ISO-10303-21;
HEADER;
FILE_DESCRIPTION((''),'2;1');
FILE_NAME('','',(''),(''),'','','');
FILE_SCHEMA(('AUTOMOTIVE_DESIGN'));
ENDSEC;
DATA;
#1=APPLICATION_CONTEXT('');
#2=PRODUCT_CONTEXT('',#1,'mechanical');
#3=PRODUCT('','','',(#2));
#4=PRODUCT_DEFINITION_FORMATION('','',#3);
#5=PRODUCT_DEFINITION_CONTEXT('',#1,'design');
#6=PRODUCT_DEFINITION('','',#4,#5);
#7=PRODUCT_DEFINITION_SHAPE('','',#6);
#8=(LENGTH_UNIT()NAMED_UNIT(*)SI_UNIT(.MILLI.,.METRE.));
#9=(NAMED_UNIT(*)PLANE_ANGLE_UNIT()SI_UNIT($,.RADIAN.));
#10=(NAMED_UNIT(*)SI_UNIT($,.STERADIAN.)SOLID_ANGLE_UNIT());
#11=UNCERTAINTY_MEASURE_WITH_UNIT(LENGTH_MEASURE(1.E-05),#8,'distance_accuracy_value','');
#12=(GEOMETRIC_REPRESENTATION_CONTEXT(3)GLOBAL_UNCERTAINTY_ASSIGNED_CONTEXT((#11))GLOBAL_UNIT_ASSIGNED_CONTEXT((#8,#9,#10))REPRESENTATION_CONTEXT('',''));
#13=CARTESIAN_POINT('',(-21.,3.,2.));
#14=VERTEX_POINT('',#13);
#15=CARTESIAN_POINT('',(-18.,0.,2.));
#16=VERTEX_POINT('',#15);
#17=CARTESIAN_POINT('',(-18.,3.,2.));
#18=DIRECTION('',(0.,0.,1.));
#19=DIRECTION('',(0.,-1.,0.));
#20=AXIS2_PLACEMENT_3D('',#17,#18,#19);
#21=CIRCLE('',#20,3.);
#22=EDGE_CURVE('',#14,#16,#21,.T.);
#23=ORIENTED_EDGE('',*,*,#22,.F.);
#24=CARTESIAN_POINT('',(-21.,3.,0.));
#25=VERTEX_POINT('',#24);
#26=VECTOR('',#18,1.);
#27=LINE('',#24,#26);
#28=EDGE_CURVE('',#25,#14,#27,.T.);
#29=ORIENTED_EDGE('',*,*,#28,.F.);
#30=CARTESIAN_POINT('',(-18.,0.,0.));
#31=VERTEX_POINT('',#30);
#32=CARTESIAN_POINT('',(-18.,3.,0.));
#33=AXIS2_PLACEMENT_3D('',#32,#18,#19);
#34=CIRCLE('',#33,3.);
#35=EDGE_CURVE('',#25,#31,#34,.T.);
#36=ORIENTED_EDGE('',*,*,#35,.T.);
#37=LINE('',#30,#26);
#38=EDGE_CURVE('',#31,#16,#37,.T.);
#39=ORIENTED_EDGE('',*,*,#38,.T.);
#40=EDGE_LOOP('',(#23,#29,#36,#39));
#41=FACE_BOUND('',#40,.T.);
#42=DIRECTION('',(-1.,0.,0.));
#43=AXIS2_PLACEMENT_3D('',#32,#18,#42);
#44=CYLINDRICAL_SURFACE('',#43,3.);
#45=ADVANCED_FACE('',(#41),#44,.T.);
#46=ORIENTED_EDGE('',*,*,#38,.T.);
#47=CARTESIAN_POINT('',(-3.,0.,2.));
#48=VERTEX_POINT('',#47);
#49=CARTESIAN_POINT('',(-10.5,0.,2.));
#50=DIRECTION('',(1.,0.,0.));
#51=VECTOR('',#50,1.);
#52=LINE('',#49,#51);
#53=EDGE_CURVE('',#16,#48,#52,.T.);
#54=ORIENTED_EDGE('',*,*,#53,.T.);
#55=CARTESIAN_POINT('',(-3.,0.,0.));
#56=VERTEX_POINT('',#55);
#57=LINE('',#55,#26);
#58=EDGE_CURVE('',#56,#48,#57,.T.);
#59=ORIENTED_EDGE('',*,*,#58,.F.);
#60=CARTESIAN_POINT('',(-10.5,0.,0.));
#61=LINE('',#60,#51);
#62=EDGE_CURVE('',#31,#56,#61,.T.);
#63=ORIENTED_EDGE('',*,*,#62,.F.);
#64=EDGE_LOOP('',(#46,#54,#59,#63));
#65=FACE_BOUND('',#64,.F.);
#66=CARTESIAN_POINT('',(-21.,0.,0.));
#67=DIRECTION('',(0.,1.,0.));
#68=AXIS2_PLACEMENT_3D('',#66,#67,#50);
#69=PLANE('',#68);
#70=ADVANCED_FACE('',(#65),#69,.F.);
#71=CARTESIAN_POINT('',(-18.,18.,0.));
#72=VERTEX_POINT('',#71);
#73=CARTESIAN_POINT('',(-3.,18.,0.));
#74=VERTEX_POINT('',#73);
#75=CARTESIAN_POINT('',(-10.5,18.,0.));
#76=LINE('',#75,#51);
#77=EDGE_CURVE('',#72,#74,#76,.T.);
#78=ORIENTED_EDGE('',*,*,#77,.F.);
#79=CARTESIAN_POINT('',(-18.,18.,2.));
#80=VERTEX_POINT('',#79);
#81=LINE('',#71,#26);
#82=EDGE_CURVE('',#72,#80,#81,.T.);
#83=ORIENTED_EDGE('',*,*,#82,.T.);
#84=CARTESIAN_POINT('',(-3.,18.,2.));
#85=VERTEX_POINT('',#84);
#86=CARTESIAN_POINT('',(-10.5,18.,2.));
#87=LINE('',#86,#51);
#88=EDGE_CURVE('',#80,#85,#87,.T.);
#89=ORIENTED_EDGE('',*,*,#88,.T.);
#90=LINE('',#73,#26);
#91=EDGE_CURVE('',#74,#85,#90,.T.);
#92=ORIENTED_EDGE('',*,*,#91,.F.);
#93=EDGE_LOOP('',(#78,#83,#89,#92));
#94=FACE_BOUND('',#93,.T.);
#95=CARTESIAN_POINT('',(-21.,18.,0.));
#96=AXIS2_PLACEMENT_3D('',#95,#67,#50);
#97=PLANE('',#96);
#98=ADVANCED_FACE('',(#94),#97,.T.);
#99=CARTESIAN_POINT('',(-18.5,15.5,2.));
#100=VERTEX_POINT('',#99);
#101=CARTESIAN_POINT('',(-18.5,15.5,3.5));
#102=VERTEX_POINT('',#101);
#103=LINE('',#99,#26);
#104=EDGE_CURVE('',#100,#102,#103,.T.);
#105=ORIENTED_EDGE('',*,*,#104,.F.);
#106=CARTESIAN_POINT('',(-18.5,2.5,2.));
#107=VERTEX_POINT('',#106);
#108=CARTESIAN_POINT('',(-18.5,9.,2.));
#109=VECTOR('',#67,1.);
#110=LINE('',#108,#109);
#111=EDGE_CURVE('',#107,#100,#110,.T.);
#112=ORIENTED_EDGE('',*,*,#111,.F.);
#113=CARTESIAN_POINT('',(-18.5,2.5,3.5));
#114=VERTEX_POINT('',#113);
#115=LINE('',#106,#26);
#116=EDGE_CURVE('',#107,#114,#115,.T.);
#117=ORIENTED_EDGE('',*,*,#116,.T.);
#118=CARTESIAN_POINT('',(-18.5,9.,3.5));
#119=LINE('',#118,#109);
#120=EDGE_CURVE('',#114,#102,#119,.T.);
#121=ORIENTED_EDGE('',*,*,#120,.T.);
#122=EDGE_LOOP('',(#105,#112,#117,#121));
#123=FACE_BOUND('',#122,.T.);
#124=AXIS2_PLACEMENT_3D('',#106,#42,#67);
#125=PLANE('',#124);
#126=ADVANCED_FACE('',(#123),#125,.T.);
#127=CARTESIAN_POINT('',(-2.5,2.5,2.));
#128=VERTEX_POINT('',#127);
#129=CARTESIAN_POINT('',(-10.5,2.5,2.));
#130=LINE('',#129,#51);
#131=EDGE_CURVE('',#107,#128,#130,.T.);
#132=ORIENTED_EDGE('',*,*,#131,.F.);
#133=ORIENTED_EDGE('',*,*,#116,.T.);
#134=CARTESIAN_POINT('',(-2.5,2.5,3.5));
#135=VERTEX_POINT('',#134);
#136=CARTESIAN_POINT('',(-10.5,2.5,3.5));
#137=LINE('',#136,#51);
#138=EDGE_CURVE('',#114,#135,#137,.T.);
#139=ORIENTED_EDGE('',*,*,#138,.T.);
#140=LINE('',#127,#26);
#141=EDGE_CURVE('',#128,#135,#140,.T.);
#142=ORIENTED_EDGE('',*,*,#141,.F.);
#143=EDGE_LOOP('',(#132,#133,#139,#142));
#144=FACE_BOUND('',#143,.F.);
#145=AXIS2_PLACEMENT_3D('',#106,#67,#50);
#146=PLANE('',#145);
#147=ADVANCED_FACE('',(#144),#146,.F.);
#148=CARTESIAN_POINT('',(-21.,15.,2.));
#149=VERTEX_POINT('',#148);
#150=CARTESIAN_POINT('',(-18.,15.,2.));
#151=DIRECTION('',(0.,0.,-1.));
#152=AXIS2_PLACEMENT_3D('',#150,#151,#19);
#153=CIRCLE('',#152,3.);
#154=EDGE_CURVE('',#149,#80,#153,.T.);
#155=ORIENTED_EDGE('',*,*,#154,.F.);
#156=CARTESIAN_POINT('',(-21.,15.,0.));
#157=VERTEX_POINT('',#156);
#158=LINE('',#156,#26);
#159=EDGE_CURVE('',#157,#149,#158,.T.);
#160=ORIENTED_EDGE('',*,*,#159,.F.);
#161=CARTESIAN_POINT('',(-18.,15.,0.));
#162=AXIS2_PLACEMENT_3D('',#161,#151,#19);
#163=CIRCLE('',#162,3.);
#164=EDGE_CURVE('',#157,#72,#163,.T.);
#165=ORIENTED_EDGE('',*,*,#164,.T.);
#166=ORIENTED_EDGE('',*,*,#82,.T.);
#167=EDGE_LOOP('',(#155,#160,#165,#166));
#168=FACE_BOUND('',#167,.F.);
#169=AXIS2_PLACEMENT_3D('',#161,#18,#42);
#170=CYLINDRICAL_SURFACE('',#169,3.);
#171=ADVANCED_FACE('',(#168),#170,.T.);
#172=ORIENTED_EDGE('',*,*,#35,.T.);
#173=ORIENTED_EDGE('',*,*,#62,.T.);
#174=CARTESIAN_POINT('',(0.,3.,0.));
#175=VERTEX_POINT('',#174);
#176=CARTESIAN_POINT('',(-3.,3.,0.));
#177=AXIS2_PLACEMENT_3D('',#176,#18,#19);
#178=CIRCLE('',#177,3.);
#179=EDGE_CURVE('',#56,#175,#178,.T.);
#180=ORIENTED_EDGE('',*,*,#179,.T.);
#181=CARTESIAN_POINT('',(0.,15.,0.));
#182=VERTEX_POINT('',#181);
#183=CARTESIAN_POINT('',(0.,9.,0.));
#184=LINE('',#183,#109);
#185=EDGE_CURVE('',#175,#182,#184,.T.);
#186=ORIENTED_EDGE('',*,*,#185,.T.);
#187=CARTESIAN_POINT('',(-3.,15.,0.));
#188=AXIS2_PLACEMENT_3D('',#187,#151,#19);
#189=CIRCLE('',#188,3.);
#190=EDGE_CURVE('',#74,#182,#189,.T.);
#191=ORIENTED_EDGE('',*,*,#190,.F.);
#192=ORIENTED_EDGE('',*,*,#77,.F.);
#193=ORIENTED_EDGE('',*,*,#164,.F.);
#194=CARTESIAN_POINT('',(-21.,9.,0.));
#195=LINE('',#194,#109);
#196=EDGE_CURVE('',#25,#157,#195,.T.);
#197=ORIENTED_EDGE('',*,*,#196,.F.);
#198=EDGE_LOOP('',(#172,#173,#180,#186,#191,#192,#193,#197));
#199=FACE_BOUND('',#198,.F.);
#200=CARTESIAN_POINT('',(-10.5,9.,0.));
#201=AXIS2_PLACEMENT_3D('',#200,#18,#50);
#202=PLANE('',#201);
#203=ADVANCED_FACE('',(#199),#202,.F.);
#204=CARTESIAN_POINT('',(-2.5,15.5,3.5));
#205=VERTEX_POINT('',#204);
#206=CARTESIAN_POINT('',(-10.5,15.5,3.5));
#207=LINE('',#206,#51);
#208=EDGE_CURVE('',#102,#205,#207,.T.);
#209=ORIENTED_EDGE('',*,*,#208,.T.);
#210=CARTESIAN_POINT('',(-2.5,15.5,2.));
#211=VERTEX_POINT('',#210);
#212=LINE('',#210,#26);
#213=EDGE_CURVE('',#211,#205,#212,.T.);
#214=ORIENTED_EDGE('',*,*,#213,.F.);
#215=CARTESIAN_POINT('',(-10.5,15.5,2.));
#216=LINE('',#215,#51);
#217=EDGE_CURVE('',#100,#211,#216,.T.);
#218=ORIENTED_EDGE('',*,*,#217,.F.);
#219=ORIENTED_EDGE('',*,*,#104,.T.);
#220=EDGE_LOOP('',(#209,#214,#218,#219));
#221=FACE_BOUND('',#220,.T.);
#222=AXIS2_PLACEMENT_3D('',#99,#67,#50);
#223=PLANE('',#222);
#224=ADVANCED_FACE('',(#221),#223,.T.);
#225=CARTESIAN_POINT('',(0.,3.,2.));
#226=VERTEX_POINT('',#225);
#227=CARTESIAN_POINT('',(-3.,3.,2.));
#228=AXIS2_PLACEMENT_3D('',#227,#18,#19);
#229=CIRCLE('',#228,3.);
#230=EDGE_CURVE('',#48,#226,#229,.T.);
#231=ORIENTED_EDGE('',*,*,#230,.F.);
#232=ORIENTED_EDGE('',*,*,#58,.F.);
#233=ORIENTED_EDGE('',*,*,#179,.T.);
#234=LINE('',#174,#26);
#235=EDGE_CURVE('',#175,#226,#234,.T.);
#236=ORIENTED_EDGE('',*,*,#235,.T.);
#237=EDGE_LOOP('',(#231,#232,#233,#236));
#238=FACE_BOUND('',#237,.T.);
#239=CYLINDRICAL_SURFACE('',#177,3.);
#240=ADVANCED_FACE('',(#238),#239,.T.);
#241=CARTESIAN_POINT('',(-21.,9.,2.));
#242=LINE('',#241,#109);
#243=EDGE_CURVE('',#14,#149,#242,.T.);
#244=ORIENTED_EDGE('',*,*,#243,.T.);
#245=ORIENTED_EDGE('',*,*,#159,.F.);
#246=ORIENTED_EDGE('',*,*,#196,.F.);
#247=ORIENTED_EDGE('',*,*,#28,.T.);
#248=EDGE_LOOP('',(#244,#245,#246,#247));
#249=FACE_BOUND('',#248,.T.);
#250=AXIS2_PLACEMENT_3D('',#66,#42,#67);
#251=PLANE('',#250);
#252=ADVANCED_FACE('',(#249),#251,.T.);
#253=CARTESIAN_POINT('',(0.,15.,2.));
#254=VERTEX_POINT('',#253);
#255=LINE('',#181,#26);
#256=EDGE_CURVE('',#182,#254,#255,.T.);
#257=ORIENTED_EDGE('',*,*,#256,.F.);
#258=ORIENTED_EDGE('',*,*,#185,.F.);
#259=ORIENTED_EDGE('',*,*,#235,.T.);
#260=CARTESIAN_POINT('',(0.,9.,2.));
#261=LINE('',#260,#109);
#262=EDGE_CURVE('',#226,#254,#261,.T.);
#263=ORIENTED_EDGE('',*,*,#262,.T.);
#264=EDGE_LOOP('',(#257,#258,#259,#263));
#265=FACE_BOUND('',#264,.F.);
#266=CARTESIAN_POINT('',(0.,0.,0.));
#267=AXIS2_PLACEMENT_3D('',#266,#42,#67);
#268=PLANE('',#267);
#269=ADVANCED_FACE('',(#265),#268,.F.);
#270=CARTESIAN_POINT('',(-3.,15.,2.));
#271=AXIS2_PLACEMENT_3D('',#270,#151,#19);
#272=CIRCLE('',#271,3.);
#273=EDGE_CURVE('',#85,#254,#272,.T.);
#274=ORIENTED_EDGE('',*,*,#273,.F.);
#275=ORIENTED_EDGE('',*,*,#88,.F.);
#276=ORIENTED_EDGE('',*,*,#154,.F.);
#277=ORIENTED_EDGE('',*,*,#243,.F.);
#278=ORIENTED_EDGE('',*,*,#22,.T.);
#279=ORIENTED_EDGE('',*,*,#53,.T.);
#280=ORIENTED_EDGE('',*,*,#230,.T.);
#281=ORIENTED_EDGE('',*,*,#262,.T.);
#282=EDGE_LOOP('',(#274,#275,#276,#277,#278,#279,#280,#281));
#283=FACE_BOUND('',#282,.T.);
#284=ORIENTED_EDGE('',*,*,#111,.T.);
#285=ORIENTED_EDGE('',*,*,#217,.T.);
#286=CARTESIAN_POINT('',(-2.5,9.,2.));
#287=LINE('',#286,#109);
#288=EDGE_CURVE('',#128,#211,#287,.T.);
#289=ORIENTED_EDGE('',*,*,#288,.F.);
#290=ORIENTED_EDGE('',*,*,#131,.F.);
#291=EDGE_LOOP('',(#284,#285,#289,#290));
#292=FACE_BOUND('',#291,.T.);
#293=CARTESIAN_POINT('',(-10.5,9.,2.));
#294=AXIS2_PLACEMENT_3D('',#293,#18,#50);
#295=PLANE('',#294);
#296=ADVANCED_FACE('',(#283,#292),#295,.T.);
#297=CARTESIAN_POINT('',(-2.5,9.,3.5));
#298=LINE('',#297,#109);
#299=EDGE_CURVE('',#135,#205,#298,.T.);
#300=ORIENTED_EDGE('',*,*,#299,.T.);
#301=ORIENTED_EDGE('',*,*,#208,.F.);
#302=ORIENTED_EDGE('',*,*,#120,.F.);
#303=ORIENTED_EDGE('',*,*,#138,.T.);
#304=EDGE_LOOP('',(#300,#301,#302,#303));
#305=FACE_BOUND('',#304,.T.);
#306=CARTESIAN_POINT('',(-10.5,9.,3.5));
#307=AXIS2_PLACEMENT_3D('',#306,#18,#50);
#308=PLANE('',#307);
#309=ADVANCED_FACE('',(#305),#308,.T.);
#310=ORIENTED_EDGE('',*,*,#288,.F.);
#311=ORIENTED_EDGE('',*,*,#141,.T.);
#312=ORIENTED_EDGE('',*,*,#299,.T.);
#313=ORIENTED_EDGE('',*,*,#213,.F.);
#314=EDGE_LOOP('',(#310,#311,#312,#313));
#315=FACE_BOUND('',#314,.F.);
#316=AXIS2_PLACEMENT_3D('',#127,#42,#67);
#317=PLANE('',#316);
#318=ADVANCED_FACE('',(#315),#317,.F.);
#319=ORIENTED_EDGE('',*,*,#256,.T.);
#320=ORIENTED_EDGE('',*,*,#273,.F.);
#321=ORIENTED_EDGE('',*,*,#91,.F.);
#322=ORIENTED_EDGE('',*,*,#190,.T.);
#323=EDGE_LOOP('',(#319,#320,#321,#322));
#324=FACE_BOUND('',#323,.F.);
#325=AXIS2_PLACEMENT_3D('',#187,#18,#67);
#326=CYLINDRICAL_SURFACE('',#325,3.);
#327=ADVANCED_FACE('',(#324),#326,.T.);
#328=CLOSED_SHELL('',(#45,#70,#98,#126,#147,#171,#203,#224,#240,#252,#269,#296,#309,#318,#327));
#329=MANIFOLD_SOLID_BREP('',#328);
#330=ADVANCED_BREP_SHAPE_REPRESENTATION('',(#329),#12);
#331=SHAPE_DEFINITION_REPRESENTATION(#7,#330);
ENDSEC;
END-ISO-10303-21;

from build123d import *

# Parameters (mm, degrees)
SKETCH_W     = 21
SKETCH_H     = 18
PAD_DEPTH    = 2
SKETCH001_W  = 16
SKETCH001_H  = 13
PAD001_DEPTH = 1.5
FILLET_R     = 3


with BuildPart() as part:
    # Sketch → Pad (new body)
    with BuildSketch(Plane.XY):
        with Locations((-10.5, 9)):
            Rectangle(SKETCH_W, SKETCH_H)
    extrude(amount=PAD_DEPTH)

    # Sketch001 (on Face6 of Pad) → Pad001 (join)
    with BuildSketch(Plane.XY.offset(2)):
        with Locations((-10.5, 9)):
            Rectangle(SKETCH001_W, SKETCH001_H)
    extrude(amount=PAD001_DEPTH)

    # Fillet
    fillet_edges = [part.edges().sort_by_distance(p)[0] for p in [
        (0, 18, 1),
        (0, 0, 1),
        (-21, 0, 1),
        (-21, 18, 1),
    ]]
    fillet(fillet_edges, radius=FILLET_R)


solid = part.part
